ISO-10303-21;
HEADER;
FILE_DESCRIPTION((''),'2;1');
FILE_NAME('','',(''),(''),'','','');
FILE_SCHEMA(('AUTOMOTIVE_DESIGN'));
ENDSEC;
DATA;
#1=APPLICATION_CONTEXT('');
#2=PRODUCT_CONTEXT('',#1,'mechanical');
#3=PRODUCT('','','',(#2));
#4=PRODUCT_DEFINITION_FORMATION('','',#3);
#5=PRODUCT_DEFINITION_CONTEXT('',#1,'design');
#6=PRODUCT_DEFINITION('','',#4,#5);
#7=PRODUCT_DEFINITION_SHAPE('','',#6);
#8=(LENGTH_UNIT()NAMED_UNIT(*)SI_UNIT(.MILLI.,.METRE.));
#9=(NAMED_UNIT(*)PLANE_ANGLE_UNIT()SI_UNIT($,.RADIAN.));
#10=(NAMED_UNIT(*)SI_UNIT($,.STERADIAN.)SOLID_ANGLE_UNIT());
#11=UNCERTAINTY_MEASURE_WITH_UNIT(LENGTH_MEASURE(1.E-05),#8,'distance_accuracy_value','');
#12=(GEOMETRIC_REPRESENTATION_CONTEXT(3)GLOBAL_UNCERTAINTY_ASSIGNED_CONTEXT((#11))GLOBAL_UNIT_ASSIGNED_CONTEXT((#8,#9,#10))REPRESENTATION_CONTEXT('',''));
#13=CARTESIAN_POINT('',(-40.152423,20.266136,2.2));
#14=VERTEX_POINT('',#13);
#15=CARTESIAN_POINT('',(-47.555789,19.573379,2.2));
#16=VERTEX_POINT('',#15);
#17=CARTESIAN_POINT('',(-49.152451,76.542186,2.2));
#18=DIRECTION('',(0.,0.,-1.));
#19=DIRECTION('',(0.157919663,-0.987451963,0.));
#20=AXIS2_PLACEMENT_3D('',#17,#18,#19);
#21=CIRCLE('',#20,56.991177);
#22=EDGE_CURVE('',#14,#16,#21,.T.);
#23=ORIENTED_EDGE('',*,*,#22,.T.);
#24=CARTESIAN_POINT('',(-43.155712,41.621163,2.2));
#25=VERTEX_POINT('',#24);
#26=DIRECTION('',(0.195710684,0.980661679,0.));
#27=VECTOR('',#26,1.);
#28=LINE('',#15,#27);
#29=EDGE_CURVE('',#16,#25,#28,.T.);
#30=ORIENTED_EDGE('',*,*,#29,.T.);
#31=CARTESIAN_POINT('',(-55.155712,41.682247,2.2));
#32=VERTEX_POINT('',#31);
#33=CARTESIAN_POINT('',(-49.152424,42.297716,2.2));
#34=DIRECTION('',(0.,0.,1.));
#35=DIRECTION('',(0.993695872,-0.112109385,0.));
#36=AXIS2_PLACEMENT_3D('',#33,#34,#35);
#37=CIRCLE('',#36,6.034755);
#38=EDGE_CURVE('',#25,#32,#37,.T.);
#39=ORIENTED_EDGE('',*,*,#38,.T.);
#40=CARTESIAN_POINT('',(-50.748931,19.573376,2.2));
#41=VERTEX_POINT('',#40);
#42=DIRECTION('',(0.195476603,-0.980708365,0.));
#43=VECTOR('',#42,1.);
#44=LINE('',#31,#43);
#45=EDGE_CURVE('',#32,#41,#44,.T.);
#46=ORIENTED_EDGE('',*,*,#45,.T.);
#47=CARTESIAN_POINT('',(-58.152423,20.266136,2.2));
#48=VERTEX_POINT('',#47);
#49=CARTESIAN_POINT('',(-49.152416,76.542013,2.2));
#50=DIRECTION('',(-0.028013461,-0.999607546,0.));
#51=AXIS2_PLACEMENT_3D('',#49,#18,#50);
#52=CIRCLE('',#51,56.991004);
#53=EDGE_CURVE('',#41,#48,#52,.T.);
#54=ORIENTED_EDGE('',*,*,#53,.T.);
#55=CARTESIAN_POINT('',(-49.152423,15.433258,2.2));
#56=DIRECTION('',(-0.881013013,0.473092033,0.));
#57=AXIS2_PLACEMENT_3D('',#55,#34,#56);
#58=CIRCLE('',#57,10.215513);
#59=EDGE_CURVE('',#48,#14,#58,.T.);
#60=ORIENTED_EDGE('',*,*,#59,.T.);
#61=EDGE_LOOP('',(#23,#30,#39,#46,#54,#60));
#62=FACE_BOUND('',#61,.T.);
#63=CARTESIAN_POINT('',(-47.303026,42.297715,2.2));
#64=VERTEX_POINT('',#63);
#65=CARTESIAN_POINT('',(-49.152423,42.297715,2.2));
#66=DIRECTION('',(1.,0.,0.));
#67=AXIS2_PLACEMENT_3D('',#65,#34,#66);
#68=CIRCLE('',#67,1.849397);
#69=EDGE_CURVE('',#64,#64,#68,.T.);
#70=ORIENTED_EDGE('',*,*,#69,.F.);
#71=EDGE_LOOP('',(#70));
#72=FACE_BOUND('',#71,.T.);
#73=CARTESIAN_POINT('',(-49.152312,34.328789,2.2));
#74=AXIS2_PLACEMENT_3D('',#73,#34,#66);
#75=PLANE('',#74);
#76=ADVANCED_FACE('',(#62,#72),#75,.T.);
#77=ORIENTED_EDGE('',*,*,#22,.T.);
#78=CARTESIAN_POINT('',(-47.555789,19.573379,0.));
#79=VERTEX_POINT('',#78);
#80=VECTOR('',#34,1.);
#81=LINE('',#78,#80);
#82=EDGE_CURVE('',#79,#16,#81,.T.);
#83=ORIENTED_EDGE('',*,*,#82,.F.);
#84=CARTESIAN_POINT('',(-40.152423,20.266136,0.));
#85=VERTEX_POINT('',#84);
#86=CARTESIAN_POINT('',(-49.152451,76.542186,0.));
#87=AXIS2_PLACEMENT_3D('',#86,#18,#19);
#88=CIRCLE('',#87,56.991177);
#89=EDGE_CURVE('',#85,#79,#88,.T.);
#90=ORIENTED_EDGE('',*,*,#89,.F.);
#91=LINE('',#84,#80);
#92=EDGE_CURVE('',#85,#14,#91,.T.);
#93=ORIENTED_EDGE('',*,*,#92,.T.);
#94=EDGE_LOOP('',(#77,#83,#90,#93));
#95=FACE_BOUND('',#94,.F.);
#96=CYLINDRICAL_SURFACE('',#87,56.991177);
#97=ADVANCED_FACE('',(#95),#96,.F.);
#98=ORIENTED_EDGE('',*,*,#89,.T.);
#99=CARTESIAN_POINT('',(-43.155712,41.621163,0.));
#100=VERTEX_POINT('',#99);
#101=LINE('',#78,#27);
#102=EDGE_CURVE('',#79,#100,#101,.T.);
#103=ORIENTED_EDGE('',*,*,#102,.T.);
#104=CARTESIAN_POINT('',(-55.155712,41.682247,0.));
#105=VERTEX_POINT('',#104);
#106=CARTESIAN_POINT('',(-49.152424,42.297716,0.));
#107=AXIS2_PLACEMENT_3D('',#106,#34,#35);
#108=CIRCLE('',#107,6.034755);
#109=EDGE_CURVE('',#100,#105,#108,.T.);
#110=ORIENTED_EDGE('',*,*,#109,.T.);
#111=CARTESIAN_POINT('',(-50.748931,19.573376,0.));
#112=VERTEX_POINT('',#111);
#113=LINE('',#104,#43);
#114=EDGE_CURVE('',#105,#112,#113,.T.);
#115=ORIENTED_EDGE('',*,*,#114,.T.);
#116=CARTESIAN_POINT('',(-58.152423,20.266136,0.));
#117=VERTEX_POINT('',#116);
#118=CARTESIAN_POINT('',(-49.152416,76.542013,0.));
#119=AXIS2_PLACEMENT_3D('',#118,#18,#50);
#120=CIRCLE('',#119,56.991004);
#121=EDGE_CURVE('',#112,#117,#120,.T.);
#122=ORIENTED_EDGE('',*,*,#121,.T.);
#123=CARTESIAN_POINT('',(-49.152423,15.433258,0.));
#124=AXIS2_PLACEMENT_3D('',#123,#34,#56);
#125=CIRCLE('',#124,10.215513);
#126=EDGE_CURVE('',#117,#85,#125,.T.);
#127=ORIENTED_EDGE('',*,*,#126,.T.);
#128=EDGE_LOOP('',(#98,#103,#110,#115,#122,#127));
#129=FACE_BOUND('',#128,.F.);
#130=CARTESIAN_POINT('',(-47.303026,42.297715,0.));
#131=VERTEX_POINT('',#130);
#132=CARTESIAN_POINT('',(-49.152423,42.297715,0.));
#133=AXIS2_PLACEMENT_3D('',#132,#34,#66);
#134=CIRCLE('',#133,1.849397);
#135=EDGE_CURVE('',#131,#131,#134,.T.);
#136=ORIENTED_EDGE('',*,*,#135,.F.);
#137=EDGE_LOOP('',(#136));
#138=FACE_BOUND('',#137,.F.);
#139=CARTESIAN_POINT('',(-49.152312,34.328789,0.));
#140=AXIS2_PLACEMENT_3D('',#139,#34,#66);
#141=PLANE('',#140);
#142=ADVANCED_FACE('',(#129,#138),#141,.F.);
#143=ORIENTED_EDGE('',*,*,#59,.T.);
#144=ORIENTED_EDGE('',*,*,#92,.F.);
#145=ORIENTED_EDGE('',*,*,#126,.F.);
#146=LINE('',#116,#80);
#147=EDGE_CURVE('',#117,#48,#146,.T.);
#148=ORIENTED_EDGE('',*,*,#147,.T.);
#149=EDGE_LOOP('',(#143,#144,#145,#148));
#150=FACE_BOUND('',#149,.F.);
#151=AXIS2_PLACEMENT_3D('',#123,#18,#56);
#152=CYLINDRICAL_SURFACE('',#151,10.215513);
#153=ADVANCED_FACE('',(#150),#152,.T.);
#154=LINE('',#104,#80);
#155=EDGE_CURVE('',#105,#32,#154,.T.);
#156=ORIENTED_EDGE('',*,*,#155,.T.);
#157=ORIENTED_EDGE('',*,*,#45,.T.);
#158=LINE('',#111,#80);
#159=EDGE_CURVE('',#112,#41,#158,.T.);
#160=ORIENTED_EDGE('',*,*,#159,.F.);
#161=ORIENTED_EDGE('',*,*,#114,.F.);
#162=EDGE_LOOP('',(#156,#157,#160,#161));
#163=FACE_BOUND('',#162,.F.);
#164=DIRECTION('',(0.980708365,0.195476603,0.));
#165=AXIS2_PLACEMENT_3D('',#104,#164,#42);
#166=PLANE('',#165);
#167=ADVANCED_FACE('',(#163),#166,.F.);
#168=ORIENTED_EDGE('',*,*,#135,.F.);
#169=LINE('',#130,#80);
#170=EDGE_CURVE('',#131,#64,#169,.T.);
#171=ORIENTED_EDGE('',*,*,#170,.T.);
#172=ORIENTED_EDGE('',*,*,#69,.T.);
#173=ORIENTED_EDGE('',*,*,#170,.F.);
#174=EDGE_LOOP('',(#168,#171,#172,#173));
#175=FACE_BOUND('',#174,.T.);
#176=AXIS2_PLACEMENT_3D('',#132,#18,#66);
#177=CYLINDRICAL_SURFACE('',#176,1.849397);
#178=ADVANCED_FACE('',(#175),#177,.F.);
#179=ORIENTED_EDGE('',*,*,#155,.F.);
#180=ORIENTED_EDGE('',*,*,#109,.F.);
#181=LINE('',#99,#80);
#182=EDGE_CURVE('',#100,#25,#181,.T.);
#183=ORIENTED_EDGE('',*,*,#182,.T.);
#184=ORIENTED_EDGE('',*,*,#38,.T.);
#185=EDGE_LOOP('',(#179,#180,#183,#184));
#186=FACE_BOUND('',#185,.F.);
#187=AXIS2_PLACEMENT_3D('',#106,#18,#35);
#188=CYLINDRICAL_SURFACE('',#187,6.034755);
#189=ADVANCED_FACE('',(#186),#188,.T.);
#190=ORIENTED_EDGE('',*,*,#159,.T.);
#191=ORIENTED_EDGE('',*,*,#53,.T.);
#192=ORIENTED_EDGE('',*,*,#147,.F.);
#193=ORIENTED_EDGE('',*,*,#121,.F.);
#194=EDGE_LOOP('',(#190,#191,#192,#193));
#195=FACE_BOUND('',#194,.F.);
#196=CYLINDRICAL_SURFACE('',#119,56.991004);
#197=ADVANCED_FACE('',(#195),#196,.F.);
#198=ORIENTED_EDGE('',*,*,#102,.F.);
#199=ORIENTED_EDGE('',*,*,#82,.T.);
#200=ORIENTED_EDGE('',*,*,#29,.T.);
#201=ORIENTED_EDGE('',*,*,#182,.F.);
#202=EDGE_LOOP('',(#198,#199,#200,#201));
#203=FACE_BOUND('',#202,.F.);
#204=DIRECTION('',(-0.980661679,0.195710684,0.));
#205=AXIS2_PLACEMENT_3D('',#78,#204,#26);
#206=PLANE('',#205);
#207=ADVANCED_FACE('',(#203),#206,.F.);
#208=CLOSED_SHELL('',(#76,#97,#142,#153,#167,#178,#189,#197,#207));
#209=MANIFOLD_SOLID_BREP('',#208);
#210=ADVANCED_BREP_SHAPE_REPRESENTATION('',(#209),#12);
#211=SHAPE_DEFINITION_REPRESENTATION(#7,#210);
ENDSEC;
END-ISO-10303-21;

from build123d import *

# Parameters (mm, degrees)
F0_R     = 1.849397
F1_DEPTH = 2.2


with BuildPart() as f1:
    # F0 (on Top) → F1 (new body)
    with BuildSketch(Plane.XY):
        with BuildLine():
            ThreePointArc((-43.155712, 41.621163), (-49.121705, 48.332393), (-55.155712, 41.682247))
            Line((-55.155712, 41.682247), (-50.748931, 19.573376))
            ThreePointArc((-50.748931, 19.573376), (-49.15236, 19.55101), (-47.555789, 19.573379))
            Line((-47.555789, 19.573379), (-43.155712, 41.621163))
        make_face()
        with Locations((-49.152423, 42.297715)):
            Circle(F0_R, mode=Mode.SUBTRACT)
        with BuildLine():
            ThreePointArc((-47.555789, 19.573379), (-49.15236, 19.55101), (-50.748931, 19.573376))
            ThreePointArc((-50.748931, 19.573376), (-54.461987, 19.798882), (-58.152423, 20.266136))
            ThreePointArc((-58.152423, 20.266136), (-49.152423, 5.217745), (-40.152423, 20.266136))
            ThreePointArc((-40.152423, 20.266136), (-43.842796, 19.798888), (-47.555789, 19.573379))
        make_face()
    extrude(amount=F1_DEPTH)


solid = f1.part
